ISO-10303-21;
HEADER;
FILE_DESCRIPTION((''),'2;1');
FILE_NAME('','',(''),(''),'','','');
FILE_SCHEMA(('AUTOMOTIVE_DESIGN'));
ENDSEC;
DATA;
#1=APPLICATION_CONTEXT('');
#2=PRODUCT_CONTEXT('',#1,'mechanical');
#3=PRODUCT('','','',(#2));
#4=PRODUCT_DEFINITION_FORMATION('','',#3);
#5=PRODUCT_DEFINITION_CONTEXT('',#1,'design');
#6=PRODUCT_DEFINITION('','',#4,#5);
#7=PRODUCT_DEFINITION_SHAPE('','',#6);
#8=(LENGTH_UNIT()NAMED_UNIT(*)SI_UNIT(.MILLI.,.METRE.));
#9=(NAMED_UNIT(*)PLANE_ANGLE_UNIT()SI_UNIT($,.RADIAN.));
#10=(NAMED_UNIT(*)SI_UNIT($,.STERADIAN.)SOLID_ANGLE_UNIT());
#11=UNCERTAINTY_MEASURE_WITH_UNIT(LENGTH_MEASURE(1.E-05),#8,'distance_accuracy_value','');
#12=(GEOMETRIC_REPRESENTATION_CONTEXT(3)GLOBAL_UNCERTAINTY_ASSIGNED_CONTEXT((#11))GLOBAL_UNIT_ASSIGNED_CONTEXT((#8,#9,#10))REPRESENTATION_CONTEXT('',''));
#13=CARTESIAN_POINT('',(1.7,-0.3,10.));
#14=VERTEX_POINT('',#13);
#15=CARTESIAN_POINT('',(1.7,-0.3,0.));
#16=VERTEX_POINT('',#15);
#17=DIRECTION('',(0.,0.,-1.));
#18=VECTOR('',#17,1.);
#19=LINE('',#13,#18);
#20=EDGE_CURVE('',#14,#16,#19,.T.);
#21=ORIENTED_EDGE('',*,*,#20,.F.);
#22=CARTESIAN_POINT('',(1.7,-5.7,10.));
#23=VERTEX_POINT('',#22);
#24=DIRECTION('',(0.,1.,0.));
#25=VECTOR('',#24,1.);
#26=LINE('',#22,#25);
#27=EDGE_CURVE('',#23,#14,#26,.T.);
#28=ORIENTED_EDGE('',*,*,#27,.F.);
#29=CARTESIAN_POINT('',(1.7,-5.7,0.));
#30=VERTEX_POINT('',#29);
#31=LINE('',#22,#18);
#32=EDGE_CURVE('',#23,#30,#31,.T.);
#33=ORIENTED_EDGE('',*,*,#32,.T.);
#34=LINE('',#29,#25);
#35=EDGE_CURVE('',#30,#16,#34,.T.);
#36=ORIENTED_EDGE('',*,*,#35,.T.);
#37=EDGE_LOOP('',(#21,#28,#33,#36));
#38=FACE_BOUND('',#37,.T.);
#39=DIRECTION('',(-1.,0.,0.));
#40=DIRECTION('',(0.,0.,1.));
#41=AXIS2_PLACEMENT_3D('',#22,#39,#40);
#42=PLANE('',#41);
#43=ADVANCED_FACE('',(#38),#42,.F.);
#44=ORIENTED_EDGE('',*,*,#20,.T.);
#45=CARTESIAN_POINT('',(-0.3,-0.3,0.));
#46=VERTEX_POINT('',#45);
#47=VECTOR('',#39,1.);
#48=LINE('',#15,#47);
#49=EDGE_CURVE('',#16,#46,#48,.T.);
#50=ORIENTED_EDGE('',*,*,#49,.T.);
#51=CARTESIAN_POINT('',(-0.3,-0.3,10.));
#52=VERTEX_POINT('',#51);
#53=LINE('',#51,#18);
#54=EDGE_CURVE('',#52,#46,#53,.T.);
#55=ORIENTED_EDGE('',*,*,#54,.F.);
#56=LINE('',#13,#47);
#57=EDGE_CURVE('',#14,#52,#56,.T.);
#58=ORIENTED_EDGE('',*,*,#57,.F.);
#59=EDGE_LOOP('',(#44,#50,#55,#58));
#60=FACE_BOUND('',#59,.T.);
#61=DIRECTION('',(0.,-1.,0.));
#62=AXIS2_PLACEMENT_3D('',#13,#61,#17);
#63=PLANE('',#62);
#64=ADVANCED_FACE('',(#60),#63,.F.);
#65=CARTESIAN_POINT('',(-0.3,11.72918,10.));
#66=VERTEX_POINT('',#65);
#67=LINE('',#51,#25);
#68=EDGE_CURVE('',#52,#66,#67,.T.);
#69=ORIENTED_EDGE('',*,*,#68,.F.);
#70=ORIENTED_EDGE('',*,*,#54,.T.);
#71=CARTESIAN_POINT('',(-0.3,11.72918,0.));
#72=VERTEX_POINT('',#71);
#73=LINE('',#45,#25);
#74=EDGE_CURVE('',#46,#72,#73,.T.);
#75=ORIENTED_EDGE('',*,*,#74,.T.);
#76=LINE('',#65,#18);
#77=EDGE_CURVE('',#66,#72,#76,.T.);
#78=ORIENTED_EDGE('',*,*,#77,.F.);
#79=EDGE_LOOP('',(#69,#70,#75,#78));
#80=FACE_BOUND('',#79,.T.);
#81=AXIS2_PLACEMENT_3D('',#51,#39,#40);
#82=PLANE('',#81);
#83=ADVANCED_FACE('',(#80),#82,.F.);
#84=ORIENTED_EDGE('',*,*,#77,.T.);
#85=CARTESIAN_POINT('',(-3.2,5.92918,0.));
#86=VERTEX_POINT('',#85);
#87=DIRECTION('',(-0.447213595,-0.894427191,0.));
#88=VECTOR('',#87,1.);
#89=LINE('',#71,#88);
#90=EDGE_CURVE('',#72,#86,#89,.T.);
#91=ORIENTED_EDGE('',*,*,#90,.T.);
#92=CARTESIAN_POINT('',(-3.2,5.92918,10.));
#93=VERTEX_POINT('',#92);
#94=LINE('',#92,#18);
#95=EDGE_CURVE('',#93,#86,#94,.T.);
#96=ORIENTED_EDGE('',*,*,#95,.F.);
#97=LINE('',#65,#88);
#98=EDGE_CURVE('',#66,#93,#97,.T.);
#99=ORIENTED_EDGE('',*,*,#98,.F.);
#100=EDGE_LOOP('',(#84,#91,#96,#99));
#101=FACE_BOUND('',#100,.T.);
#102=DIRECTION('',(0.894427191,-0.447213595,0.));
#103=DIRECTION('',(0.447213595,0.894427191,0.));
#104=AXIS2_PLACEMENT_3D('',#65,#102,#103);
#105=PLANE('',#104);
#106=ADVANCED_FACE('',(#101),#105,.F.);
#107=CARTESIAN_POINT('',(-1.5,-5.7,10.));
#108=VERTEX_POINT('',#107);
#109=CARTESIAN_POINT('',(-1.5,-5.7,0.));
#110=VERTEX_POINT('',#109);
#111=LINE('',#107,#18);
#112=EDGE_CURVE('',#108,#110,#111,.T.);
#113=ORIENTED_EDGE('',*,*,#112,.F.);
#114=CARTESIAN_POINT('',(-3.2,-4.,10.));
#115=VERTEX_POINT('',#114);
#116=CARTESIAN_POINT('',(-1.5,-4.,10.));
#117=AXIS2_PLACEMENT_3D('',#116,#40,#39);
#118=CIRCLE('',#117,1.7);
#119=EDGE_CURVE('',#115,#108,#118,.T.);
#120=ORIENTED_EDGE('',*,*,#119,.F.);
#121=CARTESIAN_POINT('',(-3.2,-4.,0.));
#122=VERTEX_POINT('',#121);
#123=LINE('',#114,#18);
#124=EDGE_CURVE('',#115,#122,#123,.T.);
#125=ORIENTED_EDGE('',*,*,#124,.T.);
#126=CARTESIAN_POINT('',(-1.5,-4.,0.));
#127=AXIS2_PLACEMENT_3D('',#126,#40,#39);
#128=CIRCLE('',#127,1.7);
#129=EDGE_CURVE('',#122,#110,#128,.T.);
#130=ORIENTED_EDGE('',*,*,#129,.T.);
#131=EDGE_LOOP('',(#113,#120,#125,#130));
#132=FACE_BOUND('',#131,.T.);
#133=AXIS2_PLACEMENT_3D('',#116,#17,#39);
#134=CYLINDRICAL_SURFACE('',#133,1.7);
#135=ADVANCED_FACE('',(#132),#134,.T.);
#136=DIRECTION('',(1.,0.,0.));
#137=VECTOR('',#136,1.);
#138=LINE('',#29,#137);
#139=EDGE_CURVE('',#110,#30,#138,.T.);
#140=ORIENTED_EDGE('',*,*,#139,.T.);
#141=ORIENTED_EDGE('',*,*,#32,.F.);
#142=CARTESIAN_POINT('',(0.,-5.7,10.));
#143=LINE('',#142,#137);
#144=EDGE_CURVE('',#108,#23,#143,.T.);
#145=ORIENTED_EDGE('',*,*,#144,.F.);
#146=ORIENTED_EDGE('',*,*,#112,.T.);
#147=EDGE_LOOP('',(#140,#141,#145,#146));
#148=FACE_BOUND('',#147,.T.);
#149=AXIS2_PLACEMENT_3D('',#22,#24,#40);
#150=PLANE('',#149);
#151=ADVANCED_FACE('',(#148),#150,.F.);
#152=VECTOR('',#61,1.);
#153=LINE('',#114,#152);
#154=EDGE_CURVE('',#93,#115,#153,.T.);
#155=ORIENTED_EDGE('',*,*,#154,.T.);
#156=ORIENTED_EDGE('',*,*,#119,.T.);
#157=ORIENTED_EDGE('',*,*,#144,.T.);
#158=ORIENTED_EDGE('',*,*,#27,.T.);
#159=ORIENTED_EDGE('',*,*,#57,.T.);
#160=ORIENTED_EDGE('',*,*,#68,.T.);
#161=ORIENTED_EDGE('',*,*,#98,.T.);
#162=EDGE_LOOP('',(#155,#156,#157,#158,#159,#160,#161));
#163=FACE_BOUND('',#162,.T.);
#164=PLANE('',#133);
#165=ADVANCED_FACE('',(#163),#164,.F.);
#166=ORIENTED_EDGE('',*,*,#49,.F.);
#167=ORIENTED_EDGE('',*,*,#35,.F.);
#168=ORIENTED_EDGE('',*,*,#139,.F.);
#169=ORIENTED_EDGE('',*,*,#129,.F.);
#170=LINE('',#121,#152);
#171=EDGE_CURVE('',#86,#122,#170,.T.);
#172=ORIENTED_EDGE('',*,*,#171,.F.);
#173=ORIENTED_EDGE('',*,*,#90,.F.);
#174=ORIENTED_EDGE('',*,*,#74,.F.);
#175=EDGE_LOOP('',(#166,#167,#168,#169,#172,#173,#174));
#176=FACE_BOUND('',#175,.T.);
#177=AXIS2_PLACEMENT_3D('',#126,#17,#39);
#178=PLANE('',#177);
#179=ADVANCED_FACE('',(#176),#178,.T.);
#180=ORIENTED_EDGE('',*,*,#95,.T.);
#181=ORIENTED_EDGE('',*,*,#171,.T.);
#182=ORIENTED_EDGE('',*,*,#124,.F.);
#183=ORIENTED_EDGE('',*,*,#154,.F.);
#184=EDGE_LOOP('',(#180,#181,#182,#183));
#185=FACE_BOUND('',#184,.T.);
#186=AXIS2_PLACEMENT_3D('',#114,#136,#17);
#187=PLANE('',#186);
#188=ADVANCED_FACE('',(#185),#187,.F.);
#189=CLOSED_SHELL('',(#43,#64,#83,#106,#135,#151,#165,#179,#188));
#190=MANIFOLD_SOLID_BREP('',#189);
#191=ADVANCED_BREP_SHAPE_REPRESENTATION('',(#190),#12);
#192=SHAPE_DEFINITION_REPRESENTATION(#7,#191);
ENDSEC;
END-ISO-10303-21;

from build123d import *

# Parameters (mm, degrees)
BOSS_EXTRUDE1_DEPTH = 10


with BuildPart() as part:
    # Sketch1 → Boss-Extrude1 (new body)
    with BuildSketch(Plane.XY):
        with BuildLine():
            Line((-0.3, 11.729179607), (-3.2, 5.929179607))
            Line((-3.2, 5.929179607), (-3.2, -4))
            ThreePointArc((-3.2, -4), (-2.702081528, -5.202081528), (-1.5, -5.7))
            Line((-1.5, -5.7), (0, -5.7))
            Line((0, -5.7), (1.7, -5.7))
            Line((1.7, -5.7), (1.7, -0.3))
            Line((1.7, -0.3), (-0.3, -0.3))
            Line((-0.3, -0.3), (-0.3, 11.729179607))
        make_face()
    extrude(amount=BOSS_EXTRUDE1_DEPTH)


solid = part.part
